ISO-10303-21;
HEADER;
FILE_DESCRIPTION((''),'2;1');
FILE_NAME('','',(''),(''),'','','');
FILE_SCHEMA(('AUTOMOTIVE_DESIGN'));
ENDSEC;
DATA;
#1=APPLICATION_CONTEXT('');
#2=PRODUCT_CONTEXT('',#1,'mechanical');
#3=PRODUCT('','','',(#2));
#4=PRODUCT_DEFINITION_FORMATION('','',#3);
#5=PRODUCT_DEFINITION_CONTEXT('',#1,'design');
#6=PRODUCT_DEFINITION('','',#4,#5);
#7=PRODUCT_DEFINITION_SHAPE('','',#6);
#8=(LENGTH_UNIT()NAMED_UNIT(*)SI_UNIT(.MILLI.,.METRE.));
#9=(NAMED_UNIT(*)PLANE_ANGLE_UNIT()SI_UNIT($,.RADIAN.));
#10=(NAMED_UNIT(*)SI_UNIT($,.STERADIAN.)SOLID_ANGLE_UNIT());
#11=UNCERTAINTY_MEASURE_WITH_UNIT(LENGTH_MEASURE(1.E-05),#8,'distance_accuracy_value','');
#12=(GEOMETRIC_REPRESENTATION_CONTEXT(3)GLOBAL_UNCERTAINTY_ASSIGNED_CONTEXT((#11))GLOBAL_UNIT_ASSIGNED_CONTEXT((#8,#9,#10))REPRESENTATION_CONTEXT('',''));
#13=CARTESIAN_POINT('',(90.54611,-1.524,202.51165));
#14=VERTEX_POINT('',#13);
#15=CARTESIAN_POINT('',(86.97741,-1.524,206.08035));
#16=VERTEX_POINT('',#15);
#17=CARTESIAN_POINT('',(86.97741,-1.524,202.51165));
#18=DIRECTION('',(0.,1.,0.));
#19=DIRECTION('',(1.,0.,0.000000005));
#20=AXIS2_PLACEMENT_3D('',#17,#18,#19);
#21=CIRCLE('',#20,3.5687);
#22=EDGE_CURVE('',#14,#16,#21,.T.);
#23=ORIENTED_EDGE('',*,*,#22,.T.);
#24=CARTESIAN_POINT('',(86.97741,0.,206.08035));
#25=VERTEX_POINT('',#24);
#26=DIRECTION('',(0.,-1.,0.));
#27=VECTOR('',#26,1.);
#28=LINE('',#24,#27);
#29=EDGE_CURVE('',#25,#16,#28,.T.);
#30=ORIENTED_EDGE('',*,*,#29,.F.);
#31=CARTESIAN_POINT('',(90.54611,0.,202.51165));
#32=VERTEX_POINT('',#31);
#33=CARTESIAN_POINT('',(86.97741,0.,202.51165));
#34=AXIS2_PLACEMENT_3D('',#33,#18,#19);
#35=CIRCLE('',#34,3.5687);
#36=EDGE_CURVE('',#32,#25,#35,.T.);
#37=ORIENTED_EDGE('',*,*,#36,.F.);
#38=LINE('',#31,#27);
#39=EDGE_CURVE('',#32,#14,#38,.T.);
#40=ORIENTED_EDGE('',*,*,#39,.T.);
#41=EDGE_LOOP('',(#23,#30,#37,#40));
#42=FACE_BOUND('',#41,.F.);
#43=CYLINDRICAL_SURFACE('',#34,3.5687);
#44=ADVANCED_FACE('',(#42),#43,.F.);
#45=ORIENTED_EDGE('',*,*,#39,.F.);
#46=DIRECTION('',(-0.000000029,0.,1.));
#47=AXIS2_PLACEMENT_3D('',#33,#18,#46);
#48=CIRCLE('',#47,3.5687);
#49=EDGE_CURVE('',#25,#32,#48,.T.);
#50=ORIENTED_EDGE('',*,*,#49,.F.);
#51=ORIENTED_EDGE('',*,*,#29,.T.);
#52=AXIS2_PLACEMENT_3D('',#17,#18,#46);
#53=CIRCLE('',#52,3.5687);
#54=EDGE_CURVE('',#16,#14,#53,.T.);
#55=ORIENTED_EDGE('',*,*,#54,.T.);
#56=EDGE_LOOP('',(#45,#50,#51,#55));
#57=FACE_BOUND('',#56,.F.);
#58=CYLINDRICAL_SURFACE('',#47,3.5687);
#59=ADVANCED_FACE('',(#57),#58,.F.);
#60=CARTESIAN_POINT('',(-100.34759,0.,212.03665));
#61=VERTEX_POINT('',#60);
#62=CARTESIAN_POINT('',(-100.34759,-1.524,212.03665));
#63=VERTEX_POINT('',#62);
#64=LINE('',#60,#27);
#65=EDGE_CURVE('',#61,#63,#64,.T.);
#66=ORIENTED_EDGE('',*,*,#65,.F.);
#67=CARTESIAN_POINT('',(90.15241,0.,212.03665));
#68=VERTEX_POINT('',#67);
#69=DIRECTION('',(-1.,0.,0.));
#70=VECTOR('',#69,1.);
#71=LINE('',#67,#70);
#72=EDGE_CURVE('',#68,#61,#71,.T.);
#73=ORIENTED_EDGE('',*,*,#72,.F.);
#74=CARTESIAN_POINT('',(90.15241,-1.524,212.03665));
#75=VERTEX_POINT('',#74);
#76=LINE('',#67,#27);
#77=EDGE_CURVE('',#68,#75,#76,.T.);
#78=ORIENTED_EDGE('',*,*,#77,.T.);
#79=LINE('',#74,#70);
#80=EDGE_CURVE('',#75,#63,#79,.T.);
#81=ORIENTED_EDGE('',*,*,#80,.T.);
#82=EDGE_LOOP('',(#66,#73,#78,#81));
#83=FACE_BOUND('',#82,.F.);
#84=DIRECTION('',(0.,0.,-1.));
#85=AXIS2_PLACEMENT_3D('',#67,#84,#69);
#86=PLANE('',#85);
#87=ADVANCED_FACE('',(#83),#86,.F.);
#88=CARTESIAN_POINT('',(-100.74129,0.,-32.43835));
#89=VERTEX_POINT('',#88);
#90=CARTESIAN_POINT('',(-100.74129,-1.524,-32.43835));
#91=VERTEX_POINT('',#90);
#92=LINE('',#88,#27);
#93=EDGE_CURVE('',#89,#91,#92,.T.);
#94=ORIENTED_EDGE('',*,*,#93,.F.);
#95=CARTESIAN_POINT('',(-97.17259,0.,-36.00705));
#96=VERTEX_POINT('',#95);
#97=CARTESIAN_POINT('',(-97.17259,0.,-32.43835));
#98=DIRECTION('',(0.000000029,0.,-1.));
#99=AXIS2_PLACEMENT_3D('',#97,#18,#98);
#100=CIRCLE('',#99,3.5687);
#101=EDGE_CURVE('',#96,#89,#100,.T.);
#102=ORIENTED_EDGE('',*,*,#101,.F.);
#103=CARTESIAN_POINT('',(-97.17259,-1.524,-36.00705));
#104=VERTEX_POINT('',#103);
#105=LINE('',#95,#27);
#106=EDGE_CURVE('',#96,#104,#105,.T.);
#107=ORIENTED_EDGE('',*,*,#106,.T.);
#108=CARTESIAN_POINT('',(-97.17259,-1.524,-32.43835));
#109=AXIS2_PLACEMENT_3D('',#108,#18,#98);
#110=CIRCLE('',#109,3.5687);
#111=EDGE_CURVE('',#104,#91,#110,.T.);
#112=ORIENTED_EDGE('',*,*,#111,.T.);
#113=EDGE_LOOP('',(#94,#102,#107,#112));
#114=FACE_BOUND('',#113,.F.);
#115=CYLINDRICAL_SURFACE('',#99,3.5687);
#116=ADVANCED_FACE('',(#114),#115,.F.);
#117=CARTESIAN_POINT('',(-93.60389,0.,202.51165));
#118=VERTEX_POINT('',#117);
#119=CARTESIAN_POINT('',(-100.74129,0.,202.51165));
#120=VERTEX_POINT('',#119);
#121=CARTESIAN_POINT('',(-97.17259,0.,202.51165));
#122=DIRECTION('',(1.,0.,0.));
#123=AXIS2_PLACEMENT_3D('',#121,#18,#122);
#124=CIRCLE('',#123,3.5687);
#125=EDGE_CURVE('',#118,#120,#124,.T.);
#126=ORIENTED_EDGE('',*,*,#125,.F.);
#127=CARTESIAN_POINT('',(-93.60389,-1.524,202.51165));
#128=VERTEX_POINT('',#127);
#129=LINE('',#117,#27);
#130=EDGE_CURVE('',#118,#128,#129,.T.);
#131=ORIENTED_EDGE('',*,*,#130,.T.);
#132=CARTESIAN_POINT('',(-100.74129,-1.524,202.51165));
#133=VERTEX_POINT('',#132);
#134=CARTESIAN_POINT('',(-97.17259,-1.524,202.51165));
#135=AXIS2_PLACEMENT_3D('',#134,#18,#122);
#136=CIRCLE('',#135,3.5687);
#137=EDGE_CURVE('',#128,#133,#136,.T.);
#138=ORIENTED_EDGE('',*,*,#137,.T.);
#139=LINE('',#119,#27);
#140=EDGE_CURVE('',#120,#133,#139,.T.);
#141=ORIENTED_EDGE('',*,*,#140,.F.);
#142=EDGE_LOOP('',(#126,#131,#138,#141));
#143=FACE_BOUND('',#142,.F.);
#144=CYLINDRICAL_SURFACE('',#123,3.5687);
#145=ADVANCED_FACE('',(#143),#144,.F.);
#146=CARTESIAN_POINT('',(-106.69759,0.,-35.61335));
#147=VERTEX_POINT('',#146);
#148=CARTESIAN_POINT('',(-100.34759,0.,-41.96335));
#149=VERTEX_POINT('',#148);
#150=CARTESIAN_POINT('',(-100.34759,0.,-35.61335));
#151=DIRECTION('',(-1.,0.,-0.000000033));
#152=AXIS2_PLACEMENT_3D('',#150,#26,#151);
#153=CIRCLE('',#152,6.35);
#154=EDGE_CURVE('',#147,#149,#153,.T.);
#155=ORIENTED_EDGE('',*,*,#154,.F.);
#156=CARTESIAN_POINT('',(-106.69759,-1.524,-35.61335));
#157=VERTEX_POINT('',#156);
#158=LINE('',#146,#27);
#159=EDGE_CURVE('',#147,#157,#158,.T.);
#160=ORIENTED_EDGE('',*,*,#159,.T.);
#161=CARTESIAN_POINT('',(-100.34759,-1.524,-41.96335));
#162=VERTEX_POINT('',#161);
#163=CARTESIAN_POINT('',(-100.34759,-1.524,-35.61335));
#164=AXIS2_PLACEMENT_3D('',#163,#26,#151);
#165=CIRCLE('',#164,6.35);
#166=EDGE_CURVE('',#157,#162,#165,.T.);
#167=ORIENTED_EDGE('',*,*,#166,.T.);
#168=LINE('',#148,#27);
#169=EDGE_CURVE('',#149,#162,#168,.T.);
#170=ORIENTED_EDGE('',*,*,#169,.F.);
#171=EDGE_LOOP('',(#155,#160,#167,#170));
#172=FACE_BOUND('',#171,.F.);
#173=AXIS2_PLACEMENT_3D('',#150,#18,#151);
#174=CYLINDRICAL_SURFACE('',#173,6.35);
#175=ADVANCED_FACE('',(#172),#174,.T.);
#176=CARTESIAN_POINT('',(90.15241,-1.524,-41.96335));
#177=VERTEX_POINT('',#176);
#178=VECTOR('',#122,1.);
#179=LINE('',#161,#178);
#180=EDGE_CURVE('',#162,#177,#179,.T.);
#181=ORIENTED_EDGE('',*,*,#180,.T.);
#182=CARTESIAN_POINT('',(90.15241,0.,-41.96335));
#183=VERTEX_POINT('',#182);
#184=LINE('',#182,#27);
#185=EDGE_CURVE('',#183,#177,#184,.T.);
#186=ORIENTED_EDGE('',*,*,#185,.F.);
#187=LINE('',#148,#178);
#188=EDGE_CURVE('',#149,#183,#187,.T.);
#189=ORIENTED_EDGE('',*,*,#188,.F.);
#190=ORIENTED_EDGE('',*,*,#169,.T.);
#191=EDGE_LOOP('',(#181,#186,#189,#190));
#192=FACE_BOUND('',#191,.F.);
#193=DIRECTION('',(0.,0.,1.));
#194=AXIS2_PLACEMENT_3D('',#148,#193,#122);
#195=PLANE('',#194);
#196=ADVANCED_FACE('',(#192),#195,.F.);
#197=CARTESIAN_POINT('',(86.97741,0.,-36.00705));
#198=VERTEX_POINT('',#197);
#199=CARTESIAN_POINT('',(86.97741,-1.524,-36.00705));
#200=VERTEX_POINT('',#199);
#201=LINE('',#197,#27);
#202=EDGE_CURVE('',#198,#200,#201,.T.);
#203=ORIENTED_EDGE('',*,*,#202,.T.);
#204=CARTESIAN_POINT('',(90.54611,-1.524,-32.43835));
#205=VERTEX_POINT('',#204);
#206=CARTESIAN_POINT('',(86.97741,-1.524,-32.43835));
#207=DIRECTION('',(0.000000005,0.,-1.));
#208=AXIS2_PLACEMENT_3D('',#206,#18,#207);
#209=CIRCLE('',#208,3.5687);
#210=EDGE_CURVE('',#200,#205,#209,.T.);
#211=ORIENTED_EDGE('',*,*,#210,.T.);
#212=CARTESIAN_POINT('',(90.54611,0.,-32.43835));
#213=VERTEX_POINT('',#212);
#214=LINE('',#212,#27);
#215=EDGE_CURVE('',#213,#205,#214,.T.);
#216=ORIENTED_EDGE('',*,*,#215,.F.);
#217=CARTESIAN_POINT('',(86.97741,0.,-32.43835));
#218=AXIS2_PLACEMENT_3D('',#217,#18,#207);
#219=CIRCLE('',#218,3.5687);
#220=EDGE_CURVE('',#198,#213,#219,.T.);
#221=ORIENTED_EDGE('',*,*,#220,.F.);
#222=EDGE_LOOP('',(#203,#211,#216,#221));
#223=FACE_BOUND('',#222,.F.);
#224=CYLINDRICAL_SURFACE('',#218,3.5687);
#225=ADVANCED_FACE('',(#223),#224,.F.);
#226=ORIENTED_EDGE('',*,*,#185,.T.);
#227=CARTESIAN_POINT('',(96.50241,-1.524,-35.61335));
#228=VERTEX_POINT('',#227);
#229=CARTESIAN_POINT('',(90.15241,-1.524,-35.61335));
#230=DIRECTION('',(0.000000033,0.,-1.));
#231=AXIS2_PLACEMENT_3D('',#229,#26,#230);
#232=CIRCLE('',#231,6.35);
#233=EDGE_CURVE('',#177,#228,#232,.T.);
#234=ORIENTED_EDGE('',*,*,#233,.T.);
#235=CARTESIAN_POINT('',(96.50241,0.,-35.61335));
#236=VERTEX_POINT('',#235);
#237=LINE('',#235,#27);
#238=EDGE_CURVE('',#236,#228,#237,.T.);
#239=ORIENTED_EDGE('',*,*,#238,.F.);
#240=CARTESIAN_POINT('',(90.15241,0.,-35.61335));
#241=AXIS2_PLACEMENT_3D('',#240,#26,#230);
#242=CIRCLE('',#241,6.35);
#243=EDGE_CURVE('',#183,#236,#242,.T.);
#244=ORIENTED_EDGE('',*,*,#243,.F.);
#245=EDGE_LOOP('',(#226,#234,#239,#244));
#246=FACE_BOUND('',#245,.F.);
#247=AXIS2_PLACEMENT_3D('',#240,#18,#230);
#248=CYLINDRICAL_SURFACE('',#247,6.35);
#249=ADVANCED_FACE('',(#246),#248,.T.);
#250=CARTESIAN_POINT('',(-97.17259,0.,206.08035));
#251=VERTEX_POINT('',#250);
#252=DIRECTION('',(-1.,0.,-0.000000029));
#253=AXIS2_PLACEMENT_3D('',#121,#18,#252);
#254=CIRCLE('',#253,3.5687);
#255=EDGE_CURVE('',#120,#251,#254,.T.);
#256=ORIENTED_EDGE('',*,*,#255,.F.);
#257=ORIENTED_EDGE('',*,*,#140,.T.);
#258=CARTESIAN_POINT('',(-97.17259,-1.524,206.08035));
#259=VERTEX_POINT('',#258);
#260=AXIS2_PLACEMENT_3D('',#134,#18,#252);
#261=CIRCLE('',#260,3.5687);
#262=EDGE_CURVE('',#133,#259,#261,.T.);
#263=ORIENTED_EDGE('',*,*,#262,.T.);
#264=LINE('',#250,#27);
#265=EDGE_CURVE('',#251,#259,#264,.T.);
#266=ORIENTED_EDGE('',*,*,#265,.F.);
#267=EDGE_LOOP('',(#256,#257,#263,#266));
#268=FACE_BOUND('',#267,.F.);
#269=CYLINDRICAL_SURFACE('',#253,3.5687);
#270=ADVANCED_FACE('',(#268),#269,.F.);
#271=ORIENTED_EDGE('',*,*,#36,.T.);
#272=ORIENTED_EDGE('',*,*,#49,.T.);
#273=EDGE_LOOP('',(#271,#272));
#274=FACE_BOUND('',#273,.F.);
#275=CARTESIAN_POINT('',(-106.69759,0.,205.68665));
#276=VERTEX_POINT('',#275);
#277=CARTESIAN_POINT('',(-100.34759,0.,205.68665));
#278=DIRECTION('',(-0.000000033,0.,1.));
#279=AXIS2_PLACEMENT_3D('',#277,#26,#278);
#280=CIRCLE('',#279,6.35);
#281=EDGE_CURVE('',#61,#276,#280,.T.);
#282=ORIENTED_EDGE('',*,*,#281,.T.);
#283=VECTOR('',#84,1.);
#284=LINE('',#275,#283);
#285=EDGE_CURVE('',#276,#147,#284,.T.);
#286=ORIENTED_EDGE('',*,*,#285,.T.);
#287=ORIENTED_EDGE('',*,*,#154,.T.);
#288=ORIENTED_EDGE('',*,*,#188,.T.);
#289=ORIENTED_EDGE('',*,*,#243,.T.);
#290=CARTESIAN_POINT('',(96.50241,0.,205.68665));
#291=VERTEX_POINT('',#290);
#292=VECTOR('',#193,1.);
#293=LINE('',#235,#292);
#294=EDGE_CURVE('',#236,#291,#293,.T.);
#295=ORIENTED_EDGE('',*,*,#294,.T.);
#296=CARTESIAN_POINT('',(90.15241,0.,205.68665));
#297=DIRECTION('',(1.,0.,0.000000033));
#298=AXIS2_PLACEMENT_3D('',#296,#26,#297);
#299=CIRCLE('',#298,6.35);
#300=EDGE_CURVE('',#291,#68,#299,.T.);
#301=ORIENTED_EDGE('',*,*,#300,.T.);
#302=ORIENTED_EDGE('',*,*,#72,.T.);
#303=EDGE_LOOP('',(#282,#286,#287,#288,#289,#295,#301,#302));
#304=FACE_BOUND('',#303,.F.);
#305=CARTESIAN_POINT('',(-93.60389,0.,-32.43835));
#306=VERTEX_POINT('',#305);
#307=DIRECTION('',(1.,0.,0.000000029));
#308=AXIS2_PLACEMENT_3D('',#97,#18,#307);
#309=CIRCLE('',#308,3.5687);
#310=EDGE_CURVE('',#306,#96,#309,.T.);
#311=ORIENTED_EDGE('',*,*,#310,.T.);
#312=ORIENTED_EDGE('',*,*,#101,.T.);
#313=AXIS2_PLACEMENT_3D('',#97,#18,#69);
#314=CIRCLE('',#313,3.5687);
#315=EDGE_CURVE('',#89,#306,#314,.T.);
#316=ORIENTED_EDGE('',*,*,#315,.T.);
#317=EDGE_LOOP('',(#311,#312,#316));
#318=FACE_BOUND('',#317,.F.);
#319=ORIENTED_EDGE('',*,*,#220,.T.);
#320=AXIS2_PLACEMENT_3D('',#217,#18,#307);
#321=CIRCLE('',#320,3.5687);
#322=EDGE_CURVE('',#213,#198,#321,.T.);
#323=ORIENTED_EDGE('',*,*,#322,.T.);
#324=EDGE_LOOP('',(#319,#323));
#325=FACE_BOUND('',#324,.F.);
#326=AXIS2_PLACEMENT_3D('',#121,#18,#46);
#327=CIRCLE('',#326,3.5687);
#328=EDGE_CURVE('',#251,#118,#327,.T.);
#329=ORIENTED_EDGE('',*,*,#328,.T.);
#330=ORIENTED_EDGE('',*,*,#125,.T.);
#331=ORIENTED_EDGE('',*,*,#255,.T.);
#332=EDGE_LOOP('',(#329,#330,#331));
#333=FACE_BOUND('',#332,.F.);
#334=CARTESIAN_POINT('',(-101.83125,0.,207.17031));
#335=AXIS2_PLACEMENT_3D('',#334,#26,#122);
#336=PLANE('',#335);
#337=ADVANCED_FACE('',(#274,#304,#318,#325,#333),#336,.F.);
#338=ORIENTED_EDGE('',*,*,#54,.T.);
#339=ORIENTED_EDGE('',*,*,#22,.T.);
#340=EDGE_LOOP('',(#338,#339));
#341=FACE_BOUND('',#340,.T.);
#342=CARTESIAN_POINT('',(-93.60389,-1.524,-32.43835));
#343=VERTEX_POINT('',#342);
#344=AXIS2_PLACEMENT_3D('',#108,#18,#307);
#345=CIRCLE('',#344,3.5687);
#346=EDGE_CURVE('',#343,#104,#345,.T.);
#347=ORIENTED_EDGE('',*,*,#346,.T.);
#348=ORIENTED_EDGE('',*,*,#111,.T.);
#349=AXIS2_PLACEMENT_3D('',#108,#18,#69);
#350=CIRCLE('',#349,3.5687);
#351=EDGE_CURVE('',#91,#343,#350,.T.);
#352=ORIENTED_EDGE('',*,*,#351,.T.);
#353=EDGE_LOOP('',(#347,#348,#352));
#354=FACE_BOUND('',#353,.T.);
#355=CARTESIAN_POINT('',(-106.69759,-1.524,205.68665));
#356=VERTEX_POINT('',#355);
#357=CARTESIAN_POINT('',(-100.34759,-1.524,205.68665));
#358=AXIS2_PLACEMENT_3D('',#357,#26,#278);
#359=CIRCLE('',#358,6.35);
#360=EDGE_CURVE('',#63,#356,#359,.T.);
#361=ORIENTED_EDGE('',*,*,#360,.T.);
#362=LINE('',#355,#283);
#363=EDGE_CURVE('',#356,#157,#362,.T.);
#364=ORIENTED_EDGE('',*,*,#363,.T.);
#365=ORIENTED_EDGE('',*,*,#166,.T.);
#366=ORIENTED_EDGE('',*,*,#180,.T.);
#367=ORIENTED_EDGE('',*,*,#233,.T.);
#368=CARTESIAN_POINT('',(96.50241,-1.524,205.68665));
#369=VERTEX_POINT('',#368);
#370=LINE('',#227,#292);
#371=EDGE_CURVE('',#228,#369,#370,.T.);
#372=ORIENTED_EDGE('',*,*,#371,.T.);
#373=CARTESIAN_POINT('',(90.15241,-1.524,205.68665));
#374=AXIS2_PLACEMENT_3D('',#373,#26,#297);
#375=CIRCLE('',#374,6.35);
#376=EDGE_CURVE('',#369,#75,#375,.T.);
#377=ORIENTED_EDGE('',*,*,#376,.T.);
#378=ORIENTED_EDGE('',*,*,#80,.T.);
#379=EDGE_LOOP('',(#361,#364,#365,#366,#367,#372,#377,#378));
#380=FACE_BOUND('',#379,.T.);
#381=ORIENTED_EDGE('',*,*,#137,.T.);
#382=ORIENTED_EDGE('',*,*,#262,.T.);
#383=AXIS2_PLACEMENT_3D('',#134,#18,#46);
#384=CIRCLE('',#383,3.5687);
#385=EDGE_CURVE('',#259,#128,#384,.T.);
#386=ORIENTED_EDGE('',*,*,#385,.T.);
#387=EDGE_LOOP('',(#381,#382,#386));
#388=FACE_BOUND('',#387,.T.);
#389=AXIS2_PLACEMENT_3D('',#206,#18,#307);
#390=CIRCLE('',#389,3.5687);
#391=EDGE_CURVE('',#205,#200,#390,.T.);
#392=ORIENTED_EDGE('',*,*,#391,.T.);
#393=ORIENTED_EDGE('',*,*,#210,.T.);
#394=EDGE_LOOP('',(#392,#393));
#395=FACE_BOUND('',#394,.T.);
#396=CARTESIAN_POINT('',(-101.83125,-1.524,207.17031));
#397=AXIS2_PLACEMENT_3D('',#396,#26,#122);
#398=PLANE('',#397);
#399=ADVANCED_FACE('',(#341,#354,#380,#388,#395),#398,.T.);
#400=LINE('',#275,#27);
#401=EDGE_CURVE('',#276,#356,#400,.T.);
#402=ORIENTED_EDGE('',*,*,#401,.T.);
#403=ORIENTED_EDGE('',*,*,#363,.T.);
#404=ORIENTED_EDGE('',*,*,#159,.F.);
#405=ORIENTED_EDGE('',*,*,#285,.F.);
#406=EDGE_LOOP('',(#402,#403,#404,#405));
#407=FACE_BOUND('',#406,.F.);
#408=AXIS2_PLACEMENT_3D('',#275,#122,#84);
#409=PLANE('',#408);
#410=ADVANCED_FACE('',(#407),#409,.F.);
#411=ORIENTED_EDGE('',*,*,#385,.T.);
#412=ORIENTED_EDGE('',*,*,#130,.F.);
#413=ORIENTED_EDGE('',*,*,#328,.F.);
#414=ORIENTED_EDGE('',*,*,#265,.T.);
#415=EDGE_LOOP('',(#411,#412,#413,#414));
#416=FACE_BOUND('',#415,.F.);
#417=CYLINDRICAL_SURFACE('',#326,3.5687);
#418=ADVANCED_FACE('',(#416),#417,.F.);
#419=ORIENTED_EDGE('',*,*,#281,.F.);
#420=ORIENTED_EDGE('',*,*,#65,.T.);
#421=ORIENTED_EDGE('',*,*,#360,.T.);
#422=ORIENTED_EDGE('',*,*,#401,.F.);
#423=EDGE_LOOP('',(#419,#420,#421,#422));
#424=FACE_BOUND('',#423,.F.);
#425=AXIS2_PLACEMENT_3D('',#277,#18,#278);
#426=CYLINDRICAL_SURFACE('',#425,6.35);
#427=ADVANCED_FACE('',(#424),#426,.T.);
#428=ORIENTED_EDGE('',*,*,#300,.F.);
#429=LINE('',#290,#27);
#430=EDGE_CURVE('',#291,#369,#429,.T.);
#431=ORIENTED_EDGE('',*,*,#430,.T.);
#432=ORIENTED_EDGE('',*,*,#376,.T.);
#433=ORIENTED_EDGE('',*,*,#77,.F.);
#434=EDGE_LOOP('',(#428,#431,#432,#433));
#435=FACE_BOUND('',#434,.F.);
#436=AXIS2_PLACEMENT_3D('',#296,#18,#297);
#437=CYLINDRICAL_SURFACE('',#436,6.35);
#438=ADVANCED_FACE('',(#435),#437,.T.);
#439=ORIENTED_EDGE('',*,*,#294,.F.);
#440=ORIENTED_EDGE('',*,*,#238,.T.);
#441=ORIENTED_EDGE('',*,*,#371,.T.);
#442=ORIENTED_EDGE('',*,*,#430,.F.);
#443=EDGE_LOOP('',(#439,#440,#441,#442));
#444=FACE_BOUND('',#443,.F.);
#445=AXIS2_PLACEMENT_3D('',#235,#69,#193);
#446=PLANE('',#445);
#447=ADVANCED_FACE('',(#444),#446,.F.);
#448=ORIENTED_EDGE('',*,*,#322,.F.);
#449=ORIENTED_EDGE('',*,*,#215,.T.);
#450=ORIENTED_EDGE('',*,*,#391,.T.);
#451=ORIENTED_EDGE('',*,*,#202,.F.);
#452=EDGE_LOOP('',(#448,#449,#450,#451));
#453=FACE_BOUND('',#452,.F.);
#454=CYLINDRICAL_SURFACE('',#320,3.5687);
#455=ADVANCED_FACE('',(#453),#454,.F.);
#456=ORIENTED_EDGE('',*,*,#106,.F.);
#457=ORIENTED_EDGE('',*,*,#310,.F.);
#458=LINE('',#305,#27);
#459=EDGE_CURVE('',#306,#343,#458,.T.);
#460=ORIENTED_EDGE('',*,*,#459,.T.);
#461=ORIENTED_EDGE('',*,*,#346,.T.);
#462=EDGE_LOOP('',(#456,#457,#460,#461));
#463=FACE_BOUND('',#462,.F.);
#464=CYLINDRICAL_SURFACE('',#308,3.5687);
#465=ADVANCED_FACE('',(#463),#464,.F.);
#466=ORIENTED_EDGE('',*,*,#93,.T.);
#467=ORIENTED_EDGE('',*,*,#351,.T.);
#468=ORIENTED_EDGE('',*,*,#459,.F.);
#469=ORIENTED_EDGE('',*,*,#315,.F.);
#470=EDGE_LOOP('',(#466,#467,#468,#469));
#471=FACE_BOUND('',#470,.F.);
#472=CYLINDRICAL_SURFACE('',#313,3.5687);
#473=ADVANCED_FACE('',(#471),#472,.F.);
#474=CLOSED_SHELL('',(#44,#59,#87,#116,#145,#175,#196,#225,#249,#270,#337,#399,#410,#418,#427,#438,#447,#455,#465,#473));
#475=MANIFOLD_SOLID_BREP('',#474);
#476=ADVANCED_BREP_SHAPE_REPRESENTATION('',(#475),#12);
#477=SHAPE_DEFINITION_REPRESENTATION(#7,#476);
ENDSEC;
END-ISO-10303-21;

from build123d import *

# Parameters (mm, degrees)
F1_DEPTH = 1.524


with BuildPart() as f1:
    # F0 (on Front) → F1 (new body)
    with BuildSketch(Plane.XZ):
        with BuildLine():
            Line((-97.17259, 212.03665), (-100.34759, 212.03665))
            ThreePointArc((-100.34759, 212.03665), (-104.837718, 210.176778), (-106.69759, 205.68665))
            Line((-106.69759, 205.68665), (-106.69759, 202.51165))
            Line((-106.69759, 202.51165), (-100.74129, 202.51165))
            ThreePointArc((-100.74129, 202.51165), (-99.696042, 205.035102), (-97.17259, 206.08035))
            Line((-97.17259, 206.08035), (-97.17259, 212.03665))
        make_face()
        with BuildLine():
            Line((86.97741, 212.03665), (-97.17259, 212.03665))
            Line((-97.17259, 212.03665), (-97.17259, 206.08035))
            ThreePointArc((-97.17259, 206.08035), (-94.649138, 205.035102), (-93.60389, 202.51165))
            ThreePointArc((-93.60389, 202.51165), (-97.17259, 198.94295), (-100.74129, 202.51165))
            Line((-100.74129, 202.51165), (-106.69759, 202.51165))
            Line((-106.69759, 202.51165), (-106.69759, -32.43835))
            Line((-106.69759, -32.43835), (-100.74129, -32.43835))
            ThreePointArc((-100.74129, -32.43835), (-97.17259, -28.86965), (-93.60389, -32.43835))
            ThreePointArc((-93.60389, -32.43835), (-94.649138, -34.961802), (-97.17259, -36.00705))
            Line((-97.17259, -36.00705), (-97.17259, -41.96335))
            Line((-97.17259, -41.96335), (86.97741, -41.96335))
            Line((86.97741, -41.96335), (86.97741, -36.00705))
            ThreePointArc((86.97741, -36.00705), (84.453958, -29.914898), (90.54611, -32.43835))
            Line((90.54611, -32.43835), (96.50241, -32.43835))
            Line((96.50241, -32.43835), (96.50241, 202.51165))
            Line((96.50241, 202.51165), (90.54611, 202.51165))
            ThreePointArc((90.54611, 202.51165), (84.453958, 199.988198), (86.97741, 206.08035))
            Line((86.97741, 206.08035), (86.97741, 212.03665))
        make_face()
        with BuildLine():
            Line((90.15241, 212.03665), (86.97741, 212.03665))
            Line((86.97741, 212.03665), (86.97741, 206.08035))
            ThreePointArc((86.97741, 206.08035), (89.500862, 205.035102), (90.54611, 202.51165))
            Line((90.54611, 202.51165), (96.50241, 202.51165))
            Line((96.50241, 202.51165), (96.50241, 205.68665))
            ThreePointArc((96.50241, 205.68665), (94.642538, 210.176778), (90.15241, 212.03665))
        make_face()
        with BuildLine():
            Line((-100.74129, -32.43835), (-106.69759, -32.43835))
            Line((-106.69759, -32.43835), (-106.69759, -35.61335))
            ThreePointArc((-106.69759, -35.61335), (-104.837718, -40.103478), (-100.34759, -41.96335))
            Line((-100.34759, -41.96335), (-97.17259, -41.96335))
            Line((-97.17259, -41.96335), (-97.17259, -36.00705))
            ThreePointArc((-97.17259, -36.00705), (-99.696042, -34.961802), (-100.74129, -32.43835))
        make_face()
        with BuildLine():
            Line((96.50241, -35.61335), (96.50241, -32.43835))
            Line((96.50241, -32.43835), (90.54611, -32.43835))
            ThreePointArc((90.54611, -32.43835), (89.500862, -34.961802), (86.97741, -36.00705))
            Line((86.97741, -36.00705), (86.97741, -41.96335))
            Line((86.97741, -41.96335), (90.15241, -41.96335))
            ThreePointArc((90.15241, -41.96335), (94.642538, -40.103478), (96.50241, -35.61335))
        make_face()
    extrude(amount=F1_DEPTH)


solid = f1.part
